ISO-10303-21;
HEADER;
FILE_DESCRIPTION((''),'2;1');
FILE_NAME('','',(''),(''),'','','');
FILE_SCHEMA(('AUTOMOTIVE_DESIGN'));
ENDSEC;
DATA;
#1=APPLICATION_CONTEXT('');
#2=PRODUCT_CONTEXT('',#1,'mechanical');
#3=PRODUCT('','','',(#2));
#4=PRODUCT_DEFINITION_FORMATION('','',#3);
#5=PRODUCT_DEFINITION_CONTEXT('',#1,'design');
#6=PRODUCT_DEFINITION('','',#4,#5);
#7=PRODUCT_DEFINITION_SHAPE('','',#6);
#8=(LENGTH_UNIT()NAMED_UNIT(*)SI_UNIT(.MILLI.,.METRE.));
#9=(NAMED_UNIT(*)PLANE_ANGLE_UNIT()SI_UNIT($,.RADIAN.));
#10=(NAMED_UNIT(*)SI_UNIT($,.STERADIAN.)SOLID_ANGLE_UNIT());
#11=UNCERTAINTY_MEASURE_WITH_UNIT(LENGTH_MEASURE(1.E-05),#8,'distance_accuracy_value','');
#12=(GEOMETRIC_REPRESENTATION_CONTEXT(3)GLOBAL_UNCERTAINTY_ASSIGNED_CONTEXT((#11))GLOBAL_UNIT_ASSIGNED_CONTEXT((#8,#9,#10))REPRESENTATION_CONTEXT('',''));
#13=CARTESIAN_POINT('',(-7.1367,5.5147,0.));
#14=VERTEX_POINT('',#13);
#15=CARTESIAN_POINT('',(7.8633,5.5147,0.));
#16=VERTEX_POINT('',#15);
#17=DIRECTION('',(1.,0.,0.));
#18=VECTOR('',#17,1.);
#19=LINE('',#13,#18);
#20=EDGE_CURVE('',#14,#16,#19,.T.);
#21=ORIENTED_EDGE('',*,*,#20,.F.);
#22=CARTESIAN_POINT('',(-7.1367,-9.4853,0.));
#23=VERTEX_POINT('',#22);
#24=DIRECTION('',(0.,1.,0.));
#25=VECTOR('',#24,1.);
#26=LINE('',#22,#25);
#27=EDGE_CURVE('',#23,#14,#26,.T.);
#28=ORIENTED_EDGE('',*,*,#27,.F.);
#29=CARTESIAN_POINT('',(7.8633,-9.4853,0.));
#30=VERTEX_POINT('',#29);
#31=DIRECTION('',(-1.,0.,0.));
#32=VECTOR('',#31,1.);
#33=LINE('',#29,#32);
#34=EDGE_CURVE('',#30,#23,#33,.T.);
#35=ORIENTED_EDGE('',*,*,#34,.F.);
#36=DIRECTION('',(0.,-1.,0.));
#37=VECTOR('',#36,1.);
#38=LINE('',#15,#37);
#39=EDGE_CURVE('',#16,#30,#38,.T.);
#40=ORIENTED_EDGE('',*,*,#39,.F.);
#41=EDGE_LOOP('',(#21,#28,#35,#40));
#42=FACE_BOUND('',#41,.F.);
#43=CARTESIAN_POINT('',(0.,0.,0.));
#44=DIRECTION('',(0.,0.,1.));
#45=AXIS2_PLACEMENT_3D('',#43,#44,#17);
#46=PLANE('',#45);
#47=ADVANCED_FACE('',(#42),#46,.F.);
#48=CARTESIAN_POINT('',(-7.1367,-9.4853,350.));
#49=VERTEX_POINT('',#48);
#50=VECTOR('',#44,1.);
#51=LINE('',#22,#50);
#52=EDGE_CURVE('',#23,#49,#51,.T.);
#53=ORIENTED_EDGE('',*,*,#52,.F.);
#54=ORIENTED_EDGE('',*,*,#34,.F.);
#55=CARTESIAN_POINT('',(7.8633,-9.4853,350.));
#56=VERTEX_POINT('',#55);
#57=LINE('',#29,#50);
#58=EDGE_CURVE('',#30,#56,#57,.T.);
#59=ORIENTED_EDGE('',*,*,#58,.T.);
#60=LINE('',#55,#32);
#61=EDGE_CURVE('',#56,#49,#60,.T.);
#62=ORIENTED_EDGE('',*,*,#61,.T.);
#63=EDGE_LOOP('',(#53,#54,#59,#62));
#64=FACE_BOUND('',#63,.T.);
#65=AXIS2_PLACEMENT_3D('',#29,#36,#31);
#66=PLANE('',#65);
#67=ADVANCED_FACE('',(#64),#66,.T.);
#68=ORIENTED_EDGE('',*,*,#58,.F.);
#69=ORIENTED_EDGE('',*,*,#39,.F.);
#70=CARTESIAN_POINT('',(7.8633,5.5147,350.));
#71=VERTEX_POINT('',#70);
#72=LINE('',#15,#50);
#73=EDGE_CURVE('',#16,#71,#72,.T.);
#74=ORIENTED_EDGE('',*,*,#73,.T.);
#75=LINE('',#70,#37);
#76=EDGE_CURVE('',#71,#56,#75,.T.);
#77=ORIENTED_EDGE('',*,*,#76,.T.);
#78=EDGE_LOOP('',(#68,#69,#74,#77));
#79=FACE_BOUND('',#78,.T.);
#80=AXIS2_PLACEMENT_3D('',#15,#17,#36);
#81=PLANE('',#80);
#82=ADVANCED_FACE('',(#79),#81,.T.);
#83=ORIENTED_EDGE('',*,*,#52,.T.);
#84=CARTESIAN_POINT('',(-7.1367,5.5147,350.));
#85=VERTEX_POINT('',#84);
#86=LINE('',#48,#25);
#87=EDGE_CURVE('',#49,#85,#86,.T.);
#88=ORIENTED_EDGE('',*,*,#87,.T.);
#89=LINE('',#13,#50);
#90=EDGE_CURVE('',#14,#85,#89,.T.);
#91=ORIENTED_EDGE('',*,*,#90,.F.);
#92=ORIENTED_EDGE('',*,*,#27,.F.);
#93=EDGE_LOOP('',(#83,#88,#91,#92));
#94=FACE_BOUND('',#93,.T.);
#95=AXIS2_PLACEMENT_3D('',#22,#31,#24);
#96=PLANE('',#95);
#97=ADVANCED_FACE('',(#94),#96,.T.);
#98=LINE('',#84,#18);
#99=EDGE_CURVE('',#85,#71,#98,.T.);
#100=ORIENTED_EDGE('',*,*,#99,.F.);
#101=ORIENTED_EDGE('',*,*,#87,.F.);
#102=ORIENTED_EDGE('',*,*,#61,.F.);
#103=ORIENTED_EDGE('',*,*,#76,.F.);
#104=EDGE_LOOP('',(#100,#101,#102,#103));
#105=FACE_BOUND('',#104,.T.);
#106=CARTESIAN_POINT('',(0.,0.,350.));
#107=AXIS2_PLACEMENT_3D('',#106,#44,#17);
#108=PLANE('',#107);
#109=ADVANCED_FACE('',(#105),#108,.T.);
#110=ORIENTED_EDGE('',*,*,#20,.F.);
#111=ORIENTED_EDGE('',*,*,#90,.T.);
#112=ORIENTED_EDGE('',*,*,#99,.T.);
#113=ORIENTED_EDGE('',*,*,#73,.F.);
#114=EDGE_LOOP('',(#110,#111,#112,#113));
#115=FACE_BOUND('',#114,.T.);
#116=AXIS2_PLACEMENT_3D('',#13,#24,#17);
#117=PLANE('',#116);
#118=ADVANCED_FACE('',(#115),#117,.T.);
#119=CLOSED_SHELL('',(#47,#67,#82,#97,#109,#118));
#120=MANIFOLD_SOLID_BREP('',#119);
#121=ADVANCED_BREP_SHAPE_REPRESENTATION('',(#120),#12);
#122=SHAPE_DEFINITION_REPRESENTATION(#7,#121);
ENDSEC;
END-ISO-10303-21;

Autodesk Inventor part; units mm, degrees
ref_plane "YZ Plane" through (0, 0, 0) normal (1, 0, 0) x (0, 1, 0)
ref_plane "XZ Plane" through (0, 0, 0) normal (0, 1, 0) x (-1, 0, 0)
ref_plane "XY Plane" through (0, 0, 0) normal (0, 0, 1) x (1, 0, 0)
sketch "スケッチ1" plane through (0, 0, 0) normal (0, 0, 1) x (1, 0, 0)
  line L0 (-7.1367, 5.5147) -> (7.8633, 5.5147)
  line L1 (7.8633, 5.5147) -> (7.8633, -9.4853)
  line L2 (7.8633, -9.4853) -> (-7.1367, -9.4853)
  line L3 (-7.1367, -9.4853) -> (-7.1367, 5.5147)
  point P0 (0, 0)
  dimension "d0" = 15
  dimension "d1" = 15
extrude "押し出し1" add sketch "スケッチ1" along normal blind 350
equation "\"BendRadius\" = Thickness"
equation "\"BendReliefWidth\" = Thickness"
equation "\"BendReliefDepth\" = 0.5 * Thickness"
equation "\"CornerReliefSize\" = 4 * Thickness"
equation "\"MinimumRemnant\" = 2 * Thickness"
equation "\"TransitionRadius\" = BendRadius"
equation "\"JacobiRadiusSize\" = BendRadius"
equation "\"GapSize\" = Thickness"
equation "\"Thickness\" = 0.5"
properties part number "nhk5"
